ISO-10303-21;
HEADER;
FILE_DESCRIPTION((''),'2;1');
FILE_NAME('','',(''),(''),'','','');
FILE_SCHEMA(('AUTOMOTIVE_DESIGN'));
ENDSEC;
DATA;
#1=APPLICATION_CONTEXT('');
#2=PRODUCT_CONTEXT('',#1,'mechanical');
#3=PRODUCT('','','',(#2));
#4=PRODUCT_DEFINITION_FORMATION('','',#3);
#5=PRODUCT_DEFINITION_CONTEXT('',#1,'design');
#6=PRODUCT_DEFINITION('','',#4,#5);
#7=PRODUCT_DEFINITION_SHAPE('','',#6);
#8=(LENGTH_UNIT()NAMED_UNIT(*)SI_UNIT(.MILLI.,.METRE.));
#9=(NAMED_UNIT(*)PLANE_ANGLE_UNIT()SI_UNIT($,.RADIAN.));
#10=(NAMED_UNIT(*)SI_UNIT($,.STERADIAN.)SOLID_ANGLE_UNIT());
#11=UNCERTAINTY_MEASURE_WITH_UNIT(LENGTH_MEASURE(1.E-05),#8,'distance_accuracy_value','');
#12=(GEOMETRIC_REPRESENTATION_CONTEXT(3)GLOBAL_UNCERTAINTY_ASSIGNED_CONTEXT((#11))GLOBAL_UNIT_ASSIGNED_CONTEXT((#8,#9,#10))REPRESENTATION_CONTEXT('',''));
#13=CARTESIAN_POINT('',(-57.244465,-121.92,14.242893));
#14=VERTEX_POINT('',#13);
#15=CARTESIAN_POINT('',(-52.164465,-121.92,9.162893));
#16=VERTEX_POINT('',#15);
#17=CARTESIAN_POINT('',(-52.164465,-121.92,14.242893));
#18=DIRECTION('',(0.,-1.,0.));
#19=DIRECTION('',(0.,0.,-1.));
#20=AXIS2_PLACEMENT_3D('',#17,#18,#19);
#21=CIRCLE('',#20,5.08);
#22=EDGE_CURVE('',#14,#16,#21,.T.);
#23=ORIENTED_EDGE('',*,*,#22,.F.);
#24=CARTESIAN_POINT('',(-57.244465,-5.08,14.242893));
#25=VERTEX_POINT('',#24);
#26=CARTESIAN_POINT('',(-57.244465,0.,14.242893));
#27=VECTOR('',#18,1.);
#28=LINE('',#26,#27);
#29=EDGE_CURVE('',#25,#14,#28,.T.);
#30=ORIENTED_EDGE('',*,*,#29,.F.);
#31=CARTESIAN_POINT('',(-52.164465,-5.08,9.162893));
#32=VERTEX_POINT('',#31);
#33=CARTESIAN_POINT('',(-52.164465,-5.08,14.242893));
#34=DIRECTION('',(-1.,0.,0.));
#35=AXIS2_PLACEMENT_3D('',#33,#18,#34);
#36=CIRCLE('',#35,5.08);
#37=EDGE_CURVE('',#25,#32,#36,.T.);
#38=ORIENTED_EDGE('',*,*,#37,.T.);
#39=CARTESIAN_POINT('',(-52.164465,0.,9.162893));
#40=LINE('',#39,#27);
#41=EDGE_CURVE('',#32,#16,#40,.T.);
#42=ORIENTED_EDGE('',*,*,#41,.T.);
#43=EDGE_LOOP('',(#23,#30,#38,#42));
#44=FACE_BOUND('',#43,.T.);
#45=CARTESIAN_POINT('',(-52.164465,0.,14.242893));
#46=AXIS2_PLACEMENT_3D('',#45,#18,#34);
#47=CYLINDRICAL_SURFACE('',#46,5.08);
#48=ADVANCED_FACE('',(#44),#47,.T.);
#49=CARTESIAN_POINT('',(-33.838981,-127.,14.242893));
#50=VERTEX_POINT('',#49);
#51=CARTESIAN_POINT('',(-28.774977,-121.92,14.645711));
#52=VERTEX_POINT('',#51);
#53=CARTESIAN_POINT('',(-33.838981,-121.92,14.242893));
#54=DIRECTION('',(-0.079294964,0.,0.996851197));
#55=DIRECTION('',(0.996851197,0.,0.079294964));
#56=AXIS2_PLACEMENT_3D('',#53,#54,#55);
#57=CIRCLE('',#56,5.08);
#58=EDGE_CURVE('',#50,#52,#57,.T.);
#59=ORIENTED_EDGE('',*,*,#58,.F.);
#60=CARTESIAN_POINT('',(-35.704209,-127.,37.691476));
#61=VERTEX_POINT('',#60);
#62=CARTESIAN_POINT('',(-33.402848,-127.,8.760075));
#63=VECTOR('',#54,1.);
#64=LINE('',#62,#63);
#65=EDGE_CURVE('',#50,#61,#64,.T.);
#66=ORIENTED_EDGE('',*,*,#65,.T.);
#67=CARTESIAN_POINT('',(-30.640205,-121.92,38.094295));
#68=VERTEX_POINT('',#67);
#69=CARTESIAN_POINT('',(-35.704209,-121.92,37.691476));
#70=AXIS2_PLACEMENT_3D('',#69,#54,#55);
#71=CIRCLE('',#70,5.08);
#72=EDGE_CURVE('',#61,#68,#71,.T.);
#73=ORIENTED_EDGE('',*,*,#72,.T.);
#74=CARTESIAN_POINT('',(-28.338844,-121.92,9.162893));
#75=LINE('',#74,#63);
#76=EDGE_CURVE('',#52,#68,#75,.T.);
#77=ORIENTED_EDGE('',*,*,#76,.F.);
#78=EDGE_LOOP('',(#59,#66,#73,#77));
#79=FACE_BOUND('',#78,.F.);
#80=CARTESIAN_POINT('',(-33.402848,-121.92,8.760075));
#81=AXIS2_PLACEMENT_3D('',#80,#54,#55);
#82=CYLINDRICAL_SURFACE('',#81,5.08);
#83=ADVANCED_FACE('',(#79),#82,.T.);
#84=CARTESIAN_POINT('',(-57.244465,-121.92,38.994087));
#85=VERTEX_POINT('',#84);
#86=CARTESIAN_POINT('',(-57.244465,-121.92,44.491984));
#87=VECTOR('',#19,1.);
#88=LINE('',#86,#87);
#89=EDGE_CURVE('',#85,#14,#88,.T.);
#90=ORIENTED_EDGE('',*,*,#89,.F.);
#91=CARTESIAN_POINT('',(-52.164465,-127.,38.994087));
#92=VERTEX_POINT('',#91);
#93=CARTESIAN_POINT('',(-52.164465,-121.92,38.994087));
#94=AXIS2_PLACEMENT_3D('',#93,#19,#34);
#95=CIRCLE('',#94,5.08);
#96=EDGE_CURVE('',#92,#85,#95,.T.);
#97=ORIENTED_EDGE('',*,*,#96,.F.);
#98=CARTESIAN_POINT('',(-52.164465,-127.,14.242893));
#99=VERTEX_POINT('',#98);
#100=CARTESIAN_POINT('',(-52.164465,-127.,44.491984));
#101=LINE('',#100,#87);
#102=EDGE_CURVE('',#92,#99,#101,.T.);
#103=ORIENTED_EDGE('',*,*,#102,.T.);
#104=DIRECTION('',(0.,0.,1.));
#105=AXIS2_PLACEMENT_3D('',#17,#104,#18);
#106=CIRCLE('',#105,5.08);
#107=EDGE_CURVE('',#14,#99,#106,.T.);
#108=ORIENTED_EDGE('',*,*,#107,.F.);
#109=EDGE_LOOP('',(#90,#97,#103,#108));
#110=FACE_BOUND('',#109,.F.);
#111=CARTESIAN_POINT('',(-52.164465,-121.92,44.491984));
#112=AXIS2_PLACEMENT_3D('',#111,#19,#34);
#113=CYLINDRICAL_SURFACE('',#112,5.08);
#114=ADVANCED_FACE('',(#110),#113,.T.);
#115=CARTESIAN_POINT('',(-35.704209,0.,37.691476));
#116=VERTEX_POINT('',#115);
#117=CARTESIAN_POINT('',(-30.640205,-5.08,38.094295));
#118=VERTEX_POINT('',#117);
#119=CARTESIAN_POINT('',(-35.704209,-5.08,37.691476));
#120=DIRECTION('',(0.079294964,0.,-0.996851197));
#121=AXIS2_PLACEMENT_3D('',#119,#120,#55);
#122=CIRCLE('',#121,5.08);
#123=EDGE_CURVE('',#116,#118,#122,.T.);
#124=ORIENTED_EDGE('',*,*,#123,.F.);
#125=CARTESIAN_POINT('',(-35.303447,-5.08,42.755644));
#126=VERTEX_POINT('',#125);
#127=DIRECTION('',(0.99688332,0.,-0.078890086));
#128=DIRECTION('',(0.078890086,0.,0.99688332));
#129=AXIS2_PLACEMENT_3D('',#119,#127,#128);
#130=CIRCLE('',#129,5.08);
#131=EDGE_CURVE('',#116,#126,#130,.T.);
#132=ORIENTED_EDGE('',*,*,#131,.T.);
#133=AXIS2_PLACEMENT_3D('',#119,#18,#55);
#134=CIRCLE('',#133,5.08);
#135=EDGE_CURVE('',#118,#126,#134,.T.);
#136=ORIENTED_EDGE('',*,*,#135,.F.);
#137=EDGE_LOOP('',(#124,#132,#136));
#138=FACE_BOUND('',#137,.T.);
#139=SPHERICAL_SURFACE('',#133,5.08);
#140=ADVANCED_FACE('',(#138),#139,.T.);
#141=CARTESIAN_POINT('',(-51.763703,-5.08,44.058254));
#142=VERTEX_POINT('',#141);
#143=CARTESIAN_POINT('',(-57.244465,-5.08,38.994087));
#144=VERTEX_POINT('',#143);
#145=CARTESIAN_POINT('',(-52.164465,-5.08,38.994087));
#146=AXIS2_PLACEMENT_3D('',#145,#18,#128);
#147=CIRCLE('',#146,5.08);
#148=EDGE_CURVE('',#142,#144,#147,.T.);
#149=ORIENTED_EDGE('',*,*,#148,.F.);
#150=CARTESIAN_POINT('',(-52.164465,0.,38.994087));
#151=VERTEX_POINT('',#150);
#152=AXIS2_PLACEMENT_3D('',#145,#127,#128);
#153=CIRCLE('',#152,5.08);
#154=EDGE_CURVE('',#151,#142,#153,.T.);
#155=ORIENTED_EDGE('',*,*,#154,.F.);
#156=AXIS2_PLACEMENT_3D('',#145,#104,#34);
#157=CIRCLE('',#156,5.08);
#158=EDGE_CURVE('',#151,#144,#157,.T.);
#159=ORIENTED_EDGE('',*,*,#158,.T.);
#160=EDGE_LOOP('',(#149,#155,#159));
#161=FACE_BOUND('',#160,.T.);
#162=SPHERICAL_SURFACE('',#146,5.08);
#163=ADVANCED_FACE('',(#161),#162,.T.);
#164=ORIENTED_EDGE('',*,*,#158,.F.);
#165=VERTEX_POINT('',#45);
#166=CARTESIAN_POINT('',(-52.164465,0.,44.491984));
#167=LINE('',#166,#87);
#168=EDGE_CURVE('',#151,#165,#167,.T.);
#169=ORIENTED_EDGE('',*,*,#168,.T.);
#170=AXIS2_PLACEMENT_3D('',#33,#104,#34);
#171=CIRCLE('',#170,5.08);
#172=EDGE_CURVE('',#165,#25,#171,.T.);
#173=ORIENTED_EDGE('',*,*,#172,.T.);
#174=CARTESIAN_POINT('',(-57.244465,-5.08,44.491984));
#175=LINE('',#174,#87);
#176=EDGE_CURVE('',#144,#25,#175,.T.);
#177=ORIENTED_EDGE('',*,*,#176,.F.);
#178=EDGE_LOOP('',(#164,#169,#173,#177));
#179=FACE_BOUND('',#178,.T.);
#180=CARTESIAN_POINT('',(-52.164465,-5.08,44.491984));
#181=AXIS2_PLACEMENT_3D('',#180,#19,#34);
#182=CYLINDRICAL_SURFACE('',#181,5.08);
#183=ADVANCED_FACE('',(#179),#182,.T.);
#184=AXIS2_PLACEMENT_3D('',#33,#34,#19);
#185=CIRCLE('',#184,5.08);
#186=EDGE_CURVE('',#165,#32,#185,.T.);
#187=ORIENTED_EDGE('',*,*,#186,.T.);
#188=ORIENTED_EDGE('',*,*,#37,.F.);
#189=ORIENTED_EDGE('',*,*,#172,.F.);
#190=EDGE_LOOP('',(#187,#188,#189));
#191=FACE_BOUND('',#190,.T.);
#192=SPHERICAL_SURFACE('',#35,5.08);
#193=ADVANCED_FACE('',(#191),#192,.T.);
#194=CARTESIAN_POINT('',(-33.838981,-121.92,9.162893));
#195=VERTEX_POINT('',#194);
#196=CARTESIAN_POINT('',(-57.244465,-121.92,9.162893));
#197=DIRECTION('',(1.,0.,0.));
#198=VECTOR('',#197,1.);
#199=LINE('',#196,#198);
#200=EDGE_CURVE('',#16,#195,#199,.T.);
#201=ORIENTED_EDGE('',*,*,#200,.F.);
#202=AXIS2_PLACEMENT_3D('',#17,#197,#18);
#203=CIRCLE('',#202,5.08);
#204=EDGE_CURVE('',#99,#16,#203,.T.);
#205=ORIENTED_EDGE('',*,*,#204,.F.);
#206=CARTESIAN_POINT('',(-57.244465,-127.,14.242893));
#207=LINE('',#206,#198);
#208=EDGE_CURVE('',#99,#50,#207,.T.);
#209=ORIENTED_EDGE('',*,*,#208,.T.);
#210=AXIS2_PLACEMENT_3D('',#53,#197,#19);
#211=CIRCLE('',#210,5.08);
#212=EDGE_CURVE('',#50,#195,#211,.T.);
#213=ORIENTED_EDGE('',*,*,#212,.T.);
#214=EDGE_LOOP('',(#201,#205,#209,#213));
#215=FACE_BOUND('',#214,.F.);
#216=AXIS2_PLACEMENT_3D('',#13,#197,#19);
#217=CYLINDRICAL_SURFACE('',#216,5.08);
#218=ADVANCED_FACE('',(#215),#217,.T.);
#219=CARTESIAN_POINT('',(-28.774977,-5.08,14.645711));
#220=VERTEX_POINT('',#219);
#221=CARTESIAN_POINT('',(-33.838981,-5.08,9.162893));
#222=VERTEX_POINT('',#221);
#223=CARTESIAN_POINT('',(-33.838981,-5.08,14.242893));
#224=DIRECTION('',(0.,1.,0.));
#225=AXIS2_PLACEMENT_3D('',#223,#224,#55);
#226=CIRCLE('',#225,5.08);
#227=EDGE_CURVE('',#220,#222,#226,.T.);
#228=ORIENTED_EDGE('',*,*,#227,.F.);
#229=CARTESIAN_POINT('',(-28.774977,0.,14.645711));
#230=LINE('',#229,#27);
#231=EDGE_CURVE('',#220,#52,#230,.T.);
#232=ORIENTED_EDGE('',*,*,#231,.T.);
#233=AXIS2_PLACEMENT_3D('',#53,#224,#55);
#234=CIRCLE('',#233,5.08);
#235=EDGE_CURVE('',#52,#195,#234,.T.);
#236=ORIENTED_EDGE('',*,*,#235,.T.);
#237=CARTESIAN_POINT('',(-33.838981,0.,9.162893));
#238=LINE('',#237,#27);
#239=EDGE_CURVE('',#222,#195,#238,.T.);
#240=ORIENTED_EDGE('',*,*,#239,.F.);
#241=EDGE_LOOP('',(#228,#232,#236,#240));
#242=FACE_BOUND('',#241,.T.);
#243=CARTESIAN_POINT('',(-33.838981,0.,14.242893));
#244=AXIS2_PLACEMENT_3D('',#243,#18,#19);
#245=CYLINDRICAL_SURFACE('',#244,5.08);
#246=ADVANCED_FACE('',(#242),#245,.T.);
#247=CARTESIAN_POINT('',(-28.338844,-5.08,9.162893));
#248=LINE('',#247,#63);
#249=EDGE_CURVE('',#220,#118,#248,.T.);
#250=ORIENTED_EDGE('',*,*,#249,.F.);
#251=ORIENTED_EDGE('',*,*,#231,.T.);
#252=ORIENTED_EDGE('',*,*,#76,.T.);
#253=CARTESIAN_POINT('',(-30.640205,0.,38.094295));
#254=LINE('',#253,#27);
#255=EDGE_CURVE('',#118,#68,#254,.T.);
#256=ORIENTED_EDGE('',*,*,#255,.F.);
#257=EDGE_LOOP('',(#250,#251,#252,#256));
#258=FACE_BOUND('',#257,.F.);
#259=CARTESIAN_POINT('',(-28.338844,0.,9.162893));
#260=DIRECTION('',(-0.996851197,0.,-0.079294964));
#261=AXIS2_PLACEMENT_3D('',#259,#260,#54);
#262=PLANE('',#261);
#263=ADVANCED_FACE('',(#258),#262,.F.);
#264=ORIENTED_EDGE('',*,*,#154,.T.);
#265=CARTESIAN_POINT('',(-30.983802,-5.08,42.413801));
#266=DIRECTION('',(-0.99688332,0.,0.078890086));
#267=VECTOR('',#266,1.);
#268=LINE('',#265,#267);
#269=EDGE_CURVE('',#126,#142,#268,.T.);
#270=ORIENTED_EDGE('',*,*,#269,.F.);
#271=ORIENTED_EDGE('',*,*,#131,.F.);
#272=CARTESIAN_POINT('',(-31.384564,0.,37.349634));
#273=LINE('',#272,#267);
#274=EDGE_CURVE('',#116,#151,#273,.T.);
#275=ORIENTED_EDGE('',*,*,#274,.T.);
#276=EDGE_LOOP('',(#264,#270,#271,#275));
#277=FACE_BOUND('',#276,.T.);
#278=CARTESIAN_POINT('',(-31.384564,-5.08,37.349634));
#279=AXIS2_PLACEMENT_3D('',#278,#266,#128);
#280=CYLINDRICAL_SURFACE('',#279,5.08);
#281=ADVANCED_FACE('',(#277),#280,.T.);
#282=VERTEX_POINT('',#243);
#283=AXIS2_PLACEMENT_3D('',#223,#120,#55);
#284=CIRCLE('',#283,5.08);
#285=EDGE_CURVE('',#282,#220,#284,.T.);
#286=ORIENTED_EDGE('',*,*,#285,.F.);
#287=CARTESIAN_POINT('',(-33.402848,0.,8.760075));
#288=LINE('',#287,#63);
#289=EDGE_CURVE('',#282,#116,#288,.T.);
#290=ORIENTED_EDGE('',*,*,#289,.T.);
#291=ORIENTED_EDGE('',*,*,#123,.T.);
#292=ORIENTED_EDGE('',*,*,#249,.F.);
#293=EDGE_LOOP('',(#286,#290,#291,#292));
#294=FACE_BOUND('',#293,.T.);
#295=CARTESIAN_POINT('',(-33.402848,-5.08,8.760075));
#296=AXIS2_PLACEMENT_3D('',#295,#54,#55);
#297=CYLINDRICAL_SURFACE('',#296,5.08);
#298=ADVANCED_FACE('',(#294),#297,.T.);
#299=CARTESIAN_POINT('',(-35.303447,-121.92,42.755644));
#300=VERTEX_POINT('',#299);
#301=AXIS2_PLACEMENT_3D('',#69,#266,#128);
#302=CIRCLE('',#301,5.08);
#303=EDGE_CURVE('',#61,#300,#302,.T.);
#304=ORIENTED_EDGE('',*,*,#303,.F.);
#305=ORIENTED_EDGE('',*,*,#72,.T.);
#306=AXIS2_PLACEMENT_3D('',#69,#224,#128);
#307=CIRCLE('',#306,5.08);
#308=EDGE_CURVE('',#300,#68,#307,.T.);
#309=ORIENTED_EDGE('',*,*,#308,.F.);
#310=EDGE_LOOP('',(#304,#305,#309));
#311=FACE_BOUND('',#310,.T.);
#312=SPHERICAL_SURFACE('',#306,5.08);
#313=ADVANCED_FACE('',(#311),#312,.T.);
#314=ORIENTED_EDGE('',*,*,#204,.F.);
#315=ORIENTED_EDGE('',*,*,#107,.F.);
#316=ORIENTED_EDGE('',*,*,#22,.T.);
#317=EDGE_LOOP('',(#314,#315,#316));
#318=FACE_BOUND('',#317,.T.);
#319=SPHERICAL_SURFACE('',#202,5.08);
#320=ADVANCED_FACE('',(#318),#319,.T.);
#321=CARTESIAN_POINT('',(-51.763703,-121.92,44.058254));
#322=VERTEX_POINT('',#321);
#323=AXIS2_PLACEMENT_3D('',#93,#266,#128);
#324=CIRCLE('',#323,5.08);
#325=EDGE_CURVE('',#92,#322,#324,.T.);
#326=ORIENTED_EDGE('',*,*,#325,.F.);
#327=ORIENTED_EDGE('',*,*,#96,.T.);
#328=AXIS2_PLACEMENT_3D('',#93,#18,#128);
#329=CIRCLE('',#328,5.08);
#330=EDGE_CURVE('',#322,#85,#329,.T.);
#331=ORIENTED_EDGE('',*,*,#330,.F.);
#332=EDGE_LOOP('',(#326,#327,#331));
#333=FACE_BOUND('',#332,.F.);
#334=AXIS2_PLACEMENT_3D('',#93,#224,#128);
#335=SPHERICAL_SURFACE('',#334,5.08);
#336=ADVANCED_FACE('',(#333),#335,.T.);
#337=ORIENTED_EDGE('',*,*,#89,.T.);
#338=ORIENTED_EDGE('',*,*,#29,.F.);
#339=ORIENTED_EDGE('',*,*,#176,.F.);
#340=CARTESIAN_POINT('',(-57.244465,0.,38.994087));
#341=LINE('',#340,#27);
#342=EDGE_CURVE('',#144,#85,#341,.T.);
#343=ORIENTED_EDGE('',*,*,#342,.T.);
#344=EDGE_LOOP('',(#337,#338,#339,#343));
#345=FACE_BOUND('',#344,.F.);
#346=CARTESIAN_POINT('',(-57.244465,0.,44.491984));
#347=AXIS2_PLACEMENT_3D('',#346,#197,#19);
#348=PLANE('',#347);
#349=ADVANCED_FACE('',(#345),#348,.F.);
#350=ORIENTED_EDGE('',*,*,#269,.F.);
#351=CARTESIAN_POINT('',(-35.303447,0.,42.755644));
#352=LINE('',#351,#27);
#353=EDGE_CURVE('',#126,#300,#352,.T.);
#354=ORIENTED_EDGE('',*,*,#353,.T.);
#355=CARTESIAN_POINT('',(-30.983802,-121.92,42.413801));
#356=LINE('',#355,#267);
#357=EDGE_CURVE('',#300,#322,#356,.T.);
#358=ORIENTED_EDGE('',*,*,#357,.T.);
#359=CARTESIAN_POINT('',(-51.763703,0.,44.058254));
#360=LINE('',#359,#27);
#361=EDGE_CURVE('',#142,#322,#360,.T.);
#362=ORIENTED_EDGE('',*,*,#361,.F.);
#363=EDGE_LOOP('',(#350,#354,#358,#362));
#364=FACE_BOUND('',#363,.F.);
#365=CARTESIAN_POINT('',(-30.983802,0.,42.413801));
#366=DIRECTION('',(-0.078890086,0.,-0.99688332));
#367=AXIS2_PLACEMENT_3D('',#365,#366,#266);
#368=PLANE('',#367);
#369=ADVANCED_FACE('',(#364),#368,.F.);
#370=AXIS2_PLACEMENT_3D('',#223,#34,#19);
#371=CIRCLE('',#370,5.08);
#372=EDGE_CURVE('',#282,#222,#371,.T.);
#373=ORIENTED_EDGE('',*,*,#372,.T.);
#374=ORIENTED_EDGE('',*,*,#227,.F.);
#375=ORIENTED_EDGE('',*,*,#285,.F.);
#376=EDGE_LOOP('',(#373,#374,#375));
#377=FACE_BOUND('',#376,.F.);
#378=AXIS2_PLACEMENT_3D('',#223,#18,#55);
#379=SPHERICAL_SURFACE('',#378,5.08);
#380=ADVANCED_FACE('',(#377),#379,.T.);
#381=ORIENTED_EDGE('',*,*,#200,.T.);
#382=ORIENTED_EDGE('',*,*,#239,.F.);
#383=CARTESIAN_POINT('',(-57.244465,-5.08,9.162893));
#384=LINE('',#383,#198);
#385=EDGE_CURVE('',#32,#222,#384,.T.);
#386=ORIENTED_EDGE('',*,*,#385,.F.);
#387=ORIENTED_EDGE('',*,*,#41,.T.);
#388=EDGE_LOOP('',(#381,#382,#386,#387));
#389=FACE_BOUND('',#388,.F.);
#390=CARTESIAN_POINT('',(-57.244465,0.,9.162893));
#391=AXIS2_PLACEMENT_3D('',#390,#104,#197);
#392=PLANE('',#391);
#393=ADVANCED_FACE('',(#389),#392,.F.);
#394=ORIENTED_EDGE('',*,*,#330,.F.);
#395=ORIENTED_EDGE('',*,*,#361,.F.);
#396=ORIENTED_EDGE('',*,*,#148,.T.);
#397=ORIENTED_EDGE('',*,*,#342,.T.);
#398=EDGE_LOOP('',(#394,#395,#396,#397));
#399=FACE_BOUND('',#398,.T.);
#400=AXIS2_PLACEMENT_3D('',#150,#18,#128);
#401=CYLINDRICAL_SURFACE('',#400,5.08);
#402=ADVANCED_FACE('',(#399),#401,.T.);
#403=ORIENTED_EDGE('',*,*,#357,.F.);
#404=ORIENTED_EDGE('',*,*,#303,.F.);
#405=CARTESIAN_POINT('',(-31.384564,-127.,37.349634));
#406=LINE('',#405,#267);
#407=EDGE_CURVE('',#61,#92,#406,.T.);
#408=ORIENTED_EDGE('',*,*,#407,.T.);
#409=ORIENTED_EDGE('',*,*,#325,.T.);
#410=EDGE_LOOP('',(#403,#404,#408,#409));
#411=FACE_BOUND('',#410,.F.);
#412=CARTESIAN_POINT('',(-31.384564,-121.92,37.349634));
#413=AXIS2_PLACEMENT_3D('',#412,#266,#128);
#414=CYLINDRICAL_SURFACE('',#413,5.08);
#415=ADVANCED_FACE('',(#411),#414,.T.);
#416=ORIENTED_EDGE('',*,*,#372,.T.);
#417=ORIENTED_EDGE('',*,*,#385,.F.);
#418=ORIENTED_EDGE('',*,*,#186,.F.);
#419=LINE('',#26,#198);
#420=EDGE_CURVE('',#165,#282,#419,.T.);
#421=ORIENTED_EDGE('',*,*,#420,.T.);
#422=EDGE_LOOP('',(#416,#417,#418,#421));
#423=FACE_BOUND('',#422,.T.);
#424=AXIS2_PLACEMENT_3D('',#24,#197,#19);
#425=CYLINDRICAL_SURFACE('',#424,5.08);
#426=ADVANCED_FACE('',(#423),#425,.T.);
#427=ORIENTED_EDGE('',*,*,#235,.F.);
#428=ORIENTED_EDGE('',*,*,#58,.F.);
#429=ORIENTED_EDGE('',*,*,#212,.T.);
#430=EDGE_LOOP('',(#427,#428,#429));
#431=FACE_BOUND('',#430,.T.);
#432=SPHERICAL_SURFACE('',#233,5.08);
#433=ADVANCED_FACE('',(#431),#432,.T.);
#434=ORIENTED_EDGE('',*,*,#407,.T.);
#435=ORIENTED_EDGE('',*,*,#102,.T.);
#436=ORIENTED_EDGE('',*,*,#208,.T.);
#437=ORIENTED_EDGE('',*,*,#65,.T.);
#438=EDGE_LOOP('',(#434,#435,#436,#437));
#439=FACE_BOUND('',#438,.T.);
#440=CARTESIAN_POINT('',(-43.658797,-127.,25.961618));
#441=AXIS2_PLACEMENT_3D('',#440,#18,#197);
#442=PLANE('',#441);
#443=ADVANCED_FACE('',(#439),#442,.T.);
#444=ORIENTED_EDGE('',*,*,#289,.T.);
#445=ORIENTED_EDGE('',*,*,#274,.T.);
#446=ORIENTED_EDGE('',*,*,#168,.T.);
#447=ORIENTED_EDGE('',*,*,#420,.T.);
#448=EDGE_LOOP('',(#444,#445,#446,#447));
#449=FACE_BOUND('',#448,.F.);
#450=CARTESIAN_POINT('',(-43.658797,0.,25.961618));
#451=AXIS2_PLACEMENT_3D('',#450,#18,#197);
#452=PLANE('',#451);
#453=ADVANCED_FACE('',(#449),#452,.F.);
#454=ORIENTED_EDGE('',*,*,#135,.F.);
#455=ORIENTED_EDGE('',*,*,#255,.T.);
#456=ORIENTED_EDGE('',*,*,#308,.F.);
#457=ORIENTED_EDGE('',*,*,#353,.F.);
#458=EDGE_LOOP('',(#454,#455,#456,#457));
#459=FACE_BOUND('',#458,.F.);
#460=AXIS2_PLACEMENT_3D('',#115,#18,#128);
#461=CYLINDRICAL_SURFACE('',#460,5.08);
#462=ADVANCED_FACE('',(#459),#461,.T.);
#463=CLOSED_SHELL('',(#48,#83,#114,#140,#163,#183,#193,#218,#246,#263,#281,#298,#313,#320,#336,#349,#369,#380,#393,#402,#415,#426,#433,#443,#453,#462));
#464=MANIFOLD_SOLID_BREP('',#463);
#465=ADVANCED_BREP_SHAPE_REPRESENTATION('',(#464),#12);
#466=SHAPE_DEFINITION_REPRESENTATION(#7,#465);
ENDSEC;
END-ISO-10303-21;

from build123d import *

# Parameters (mm, degrees)
F1_DEPTH = 127
F2_R     = 5.08


with BuildPart() as f1:
    # F0 (on Front) → F1 (new body)
    with BuildSketch(Plane.XZ):
        Polygon((-30.983802, 42.413801), (-57.244465, 44.491984), (-57.244465, 9.162893), (-28.338844, 9.162893), align=None)
    extrude(amount=F1_DEPTH)

    # F2
    f2_edges = [f1.edges().sort_by_distance(p)[0] for p in [
        (-30.983802, -63.5, 42.413801),
        (-57.244465, -63.5, 44.491984),
        (-44.114133, -127, 43.452892),
        (-29.661323, -127, 25.788347),
        (-42.791654, -127, 9.162893),
        (-57.244465, -127, 26.827438),
        (-28.338844, -63.5, 9.162893),
        (-57.244465, -63.5, 9.162893),
        (-29.661323, 0, 25.788347),
        (-44.114133, 0, 43.452892),
        (-57.244465, 0, 26.827438),
        (-42.791654, 0, 9.162893),
    ]]
    fillet(f2_edges, radius=F2_R)


solid = f1.part
